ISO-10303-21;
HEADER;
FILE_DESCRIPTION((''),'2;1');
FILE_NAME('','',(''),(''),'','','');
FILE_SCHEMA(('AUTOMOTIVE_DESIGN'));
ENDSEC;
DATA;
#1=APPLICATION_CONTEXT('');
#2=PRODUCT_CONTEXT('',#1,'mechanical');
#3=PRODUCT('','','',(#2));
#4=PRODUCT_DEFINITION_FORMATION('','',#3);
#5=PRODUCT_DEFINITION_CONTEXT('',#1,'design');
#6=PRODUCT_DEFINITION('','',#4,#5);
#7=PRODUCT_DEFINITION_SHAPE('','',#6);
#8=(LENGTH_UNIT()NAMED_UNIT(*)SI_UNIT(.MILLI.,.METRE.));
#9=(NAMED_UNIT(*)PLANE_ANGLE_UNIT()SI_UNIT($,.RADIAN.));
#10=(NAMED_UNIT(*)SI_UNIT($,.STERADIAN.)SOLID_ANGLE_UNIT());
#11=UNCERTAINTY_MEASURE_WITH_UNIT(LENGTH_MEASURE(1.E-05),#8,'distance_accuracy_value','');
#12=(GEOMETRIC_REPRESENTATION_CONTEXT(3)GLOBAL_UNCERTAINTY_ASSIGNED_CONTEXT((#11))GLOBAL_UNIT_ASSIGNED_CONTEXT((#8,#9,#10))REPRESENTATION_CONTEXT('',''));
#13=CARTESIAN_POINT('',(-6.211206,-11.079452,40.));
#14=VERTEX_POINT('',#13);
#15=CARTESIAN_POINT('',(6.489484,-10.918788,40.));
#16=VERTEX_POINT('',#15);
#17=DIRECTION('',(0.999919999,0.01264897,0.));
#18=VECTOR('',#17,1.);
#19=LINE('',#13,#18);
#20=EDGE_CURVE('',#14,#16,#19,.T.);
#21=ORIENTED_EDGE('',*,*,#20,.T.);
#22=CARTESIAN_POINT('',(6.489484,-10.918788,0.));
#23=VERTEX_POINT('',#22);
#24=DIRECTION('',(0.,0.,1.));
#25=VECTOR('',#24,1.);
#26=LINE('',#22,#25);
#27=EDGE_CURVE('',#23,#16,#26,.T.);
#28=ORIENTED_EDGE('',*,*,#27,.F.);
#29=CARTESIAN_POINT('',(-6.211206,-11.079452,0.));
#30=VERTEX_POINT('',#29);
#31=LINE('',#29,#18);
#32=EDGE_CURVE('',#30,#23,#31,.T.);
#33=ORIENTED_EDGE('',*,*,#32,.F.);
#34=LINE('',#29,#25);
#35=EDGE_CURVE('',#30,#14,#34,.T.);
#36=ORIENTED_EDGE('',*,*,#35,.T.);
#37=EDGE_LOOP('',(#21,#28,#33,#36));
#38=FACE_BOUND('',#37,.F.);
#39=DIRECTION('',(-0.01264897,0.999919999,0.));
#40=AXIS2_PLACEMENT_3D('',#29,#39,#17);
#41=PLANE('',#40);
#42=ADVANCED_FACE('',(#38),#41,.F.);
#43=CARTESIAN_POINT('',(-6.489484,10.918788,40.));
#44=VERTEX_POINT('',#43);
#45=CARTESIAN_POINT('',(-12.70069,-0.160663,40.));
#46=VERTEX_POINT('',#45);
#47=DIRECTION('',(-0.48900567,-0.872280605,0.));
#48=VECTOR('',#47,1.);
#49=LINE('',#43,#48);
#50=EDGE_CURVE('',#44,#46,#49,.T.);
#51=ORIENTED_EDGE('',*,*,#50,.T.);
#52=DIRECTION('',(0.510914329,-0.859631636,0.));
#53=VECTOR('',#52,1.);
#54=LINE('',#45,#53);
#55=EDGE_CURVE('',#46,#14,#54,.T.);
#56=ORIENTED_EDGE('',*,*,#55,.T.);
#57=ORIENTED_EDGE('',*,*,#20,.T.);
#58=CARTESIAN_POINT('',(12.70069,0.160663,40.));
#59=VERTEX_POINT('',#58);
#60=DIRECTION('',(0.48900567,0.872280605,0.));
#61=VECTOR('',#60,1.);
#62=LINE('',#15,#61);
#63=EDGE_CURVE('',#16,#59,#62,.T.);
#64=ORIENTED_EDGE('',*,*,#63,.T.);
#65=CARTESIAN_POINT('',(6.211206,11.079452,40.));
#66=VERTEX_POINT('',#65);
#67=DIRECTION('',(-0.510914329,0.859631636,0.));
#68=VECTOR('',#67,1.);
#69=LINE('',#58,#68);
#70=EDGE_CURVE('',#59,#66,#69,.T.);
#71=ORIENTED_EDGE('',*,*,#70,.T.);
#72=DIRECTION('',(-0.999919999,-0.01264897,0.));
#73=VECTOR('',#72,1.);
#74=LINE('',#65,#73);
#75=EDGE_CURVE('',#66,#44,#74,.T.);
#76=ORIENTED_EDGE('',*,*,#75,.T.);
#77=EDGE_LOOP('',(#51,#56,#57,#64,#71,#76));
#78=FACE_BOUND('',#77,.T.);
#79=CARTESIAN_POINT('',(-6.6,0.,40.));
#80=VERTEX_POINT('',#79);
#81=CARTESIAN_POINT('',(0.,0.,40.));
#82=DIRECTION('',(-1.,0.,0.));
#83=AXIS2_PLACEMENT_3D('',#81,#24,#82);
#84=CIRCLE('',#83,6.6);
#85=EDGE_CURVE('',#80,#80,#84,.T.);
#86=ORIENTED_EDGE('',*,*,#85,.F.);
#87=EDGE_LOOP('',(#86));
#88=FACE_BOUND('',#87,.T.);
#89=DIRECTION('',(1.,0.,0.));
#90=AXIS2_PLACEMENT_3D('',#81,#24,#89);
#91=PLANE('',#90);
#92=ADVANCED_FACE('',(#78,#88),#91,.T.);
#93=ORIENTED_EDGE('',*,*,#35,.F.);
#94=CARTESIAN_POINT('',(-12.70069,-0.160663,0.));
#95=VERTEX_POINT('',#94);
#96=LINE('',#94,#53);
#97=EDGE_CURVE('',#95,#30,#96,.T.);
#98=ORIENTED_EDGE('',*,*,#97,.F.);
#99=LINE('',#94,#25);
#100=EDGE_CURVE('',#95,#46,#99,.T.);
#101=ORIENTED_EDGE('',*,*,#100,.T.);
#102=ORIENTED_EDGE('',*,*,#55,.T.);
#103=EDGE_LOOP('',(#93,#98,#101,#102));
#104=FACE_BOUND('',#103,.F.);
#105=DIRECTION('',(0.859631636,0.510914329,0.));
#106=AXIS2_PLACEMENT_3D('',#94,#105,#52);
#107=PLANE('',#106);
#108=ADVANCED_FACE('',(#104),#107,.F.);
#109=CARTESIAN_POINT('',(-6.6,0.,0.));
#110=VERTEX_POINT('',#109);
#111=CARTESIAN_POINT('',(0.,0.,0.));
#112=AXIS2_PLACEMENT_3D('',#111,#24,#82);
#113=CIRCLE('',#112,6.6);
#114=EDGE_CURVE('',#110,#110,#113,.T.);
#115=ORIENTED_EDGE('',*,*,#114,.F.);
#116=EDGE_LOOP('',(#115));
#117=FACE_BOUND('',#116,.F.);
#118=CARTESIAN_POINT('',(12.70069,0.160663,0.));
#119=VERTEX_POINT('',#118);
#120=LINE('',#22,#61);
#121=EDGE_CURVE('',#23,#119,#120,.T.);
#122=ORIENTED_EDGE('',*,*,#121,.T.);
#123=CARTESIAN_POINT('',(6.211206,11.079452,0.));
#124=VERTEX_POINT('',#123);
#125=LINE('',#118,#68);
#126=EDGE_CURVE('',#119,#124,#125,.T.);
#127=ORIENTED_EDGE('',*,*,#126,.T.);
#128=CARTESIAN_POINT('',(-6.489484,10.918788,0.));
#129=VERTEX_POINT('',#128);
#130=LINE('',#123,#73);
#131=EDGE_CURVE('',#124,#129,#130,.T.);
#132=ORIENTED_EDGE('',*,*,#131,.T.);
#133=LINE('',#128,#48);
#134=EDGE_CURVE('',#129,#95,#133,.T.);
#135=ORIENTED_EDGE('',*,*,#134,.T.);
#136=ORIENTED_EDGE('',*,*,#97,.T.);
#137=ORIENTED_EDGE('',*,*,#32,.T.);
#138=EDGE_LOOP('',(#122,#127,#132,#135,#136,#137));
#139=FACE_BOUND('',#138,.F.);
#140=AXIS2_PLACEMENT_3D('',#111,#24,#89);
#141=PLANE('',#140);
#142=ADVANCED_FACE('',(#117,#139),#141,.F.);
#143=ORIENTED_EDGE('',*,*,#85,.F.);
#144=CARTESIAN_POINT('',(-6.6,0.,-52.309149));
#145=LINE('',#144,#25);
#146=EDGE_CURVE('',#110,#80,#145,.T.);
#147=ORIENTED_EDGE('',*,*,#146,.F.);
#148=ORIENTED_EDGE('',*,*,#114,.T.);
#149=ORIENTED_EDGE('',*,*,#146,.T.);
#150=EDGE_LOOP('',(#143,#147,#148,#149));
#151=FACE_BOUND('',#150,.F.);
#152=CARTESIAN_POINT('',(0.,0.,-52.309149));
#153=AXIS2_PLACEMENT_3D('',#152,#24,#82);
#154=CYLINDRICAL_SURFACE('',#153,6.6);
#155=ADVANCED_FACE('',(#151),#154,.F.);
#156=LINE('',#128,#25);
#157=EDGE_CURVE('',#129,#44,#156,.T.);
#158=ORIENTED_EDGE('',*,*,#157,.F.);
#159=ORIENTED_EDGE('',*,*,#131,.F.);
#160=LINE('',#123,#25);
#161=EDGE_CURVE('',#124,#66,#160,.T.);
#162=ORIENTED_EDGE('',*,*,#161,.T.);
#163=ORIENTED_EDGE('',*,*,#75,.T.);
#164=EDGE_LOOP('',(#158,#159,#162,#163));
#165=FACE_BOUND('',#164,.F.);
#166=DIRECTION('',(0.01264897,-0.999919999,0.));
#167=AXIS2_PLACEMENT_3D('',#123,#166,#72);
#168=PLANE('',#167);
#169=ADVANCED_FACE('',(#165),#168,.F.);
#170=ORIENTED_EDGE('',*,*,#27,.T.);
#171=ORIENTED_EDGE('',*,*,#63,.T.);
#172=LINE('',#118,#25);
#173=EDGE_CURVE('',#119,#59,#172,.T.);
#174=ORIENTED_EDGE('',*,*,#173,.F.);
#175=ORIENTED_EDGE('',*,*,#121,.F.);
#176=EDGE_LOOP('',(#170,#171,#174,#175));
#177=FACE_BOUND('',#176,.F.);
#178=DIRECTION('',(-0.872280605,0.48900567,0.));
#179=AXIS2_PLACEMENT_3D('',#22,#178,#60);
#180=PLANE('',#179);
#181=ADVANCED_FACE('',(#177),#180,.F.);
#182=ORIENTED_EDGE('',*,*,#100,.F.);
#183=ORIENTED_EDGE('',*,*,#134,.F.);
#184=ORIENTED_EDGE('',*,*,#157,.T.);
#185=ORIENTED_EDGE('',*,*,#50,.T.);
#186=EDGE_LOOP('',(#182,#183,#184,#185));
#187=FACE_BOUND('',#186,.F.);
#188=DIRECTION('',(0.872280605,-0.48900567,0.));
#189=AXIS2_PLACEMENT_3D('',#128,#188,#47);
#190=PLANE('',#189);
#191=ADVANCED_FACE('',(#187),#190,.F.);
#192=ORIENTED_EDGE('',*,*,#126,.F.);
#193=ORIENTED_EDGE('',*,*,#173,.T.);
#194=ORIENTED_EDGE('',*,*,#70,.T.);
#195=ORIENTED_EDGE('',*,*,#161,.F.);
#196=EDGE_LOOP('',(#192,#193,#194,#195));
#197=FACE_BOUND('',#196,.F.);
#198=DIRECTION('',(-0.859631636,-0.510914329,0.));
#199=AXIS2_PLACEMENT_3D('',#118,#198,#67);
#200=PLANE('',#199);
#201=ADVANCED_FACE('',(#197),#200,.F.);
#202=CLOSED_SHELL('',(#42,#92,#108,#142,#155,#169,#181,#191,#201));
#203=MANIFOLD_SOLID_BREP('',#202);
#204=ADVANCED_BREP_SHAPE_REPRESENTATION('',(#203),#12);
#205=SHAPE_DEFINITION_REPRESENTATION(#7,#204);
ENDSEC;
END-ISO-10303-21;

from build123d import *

# Parameters (mm, degrees)
F1_DEPTH = 40
F2_D     = 13.2


with BuildPart() as f1:
    # F0 (on Top) → F1 (new body)
    with BuildSketch(Plane.XY):
        Polygon((-6.4894835528, 10.9187882364), (-12.7006897677, -0.1606634959), (-6.2112062149, -11.0794517324), (6.4894835528, -10.9187882364), (12.7006897677, 0.1606634959), (6.2112062149, 11.0794517324), align=None)
    extrude(amount=F1_DEPTH)

    # F2 (through all)
    with Locations(Plane(origin=(0, 0, 0), x_dir=(1, 0, 0), z_dir=(0, 0, -1))):
        with Locations((0, 0)):
            Hole(F2_D / 2)


solid = f1.part
